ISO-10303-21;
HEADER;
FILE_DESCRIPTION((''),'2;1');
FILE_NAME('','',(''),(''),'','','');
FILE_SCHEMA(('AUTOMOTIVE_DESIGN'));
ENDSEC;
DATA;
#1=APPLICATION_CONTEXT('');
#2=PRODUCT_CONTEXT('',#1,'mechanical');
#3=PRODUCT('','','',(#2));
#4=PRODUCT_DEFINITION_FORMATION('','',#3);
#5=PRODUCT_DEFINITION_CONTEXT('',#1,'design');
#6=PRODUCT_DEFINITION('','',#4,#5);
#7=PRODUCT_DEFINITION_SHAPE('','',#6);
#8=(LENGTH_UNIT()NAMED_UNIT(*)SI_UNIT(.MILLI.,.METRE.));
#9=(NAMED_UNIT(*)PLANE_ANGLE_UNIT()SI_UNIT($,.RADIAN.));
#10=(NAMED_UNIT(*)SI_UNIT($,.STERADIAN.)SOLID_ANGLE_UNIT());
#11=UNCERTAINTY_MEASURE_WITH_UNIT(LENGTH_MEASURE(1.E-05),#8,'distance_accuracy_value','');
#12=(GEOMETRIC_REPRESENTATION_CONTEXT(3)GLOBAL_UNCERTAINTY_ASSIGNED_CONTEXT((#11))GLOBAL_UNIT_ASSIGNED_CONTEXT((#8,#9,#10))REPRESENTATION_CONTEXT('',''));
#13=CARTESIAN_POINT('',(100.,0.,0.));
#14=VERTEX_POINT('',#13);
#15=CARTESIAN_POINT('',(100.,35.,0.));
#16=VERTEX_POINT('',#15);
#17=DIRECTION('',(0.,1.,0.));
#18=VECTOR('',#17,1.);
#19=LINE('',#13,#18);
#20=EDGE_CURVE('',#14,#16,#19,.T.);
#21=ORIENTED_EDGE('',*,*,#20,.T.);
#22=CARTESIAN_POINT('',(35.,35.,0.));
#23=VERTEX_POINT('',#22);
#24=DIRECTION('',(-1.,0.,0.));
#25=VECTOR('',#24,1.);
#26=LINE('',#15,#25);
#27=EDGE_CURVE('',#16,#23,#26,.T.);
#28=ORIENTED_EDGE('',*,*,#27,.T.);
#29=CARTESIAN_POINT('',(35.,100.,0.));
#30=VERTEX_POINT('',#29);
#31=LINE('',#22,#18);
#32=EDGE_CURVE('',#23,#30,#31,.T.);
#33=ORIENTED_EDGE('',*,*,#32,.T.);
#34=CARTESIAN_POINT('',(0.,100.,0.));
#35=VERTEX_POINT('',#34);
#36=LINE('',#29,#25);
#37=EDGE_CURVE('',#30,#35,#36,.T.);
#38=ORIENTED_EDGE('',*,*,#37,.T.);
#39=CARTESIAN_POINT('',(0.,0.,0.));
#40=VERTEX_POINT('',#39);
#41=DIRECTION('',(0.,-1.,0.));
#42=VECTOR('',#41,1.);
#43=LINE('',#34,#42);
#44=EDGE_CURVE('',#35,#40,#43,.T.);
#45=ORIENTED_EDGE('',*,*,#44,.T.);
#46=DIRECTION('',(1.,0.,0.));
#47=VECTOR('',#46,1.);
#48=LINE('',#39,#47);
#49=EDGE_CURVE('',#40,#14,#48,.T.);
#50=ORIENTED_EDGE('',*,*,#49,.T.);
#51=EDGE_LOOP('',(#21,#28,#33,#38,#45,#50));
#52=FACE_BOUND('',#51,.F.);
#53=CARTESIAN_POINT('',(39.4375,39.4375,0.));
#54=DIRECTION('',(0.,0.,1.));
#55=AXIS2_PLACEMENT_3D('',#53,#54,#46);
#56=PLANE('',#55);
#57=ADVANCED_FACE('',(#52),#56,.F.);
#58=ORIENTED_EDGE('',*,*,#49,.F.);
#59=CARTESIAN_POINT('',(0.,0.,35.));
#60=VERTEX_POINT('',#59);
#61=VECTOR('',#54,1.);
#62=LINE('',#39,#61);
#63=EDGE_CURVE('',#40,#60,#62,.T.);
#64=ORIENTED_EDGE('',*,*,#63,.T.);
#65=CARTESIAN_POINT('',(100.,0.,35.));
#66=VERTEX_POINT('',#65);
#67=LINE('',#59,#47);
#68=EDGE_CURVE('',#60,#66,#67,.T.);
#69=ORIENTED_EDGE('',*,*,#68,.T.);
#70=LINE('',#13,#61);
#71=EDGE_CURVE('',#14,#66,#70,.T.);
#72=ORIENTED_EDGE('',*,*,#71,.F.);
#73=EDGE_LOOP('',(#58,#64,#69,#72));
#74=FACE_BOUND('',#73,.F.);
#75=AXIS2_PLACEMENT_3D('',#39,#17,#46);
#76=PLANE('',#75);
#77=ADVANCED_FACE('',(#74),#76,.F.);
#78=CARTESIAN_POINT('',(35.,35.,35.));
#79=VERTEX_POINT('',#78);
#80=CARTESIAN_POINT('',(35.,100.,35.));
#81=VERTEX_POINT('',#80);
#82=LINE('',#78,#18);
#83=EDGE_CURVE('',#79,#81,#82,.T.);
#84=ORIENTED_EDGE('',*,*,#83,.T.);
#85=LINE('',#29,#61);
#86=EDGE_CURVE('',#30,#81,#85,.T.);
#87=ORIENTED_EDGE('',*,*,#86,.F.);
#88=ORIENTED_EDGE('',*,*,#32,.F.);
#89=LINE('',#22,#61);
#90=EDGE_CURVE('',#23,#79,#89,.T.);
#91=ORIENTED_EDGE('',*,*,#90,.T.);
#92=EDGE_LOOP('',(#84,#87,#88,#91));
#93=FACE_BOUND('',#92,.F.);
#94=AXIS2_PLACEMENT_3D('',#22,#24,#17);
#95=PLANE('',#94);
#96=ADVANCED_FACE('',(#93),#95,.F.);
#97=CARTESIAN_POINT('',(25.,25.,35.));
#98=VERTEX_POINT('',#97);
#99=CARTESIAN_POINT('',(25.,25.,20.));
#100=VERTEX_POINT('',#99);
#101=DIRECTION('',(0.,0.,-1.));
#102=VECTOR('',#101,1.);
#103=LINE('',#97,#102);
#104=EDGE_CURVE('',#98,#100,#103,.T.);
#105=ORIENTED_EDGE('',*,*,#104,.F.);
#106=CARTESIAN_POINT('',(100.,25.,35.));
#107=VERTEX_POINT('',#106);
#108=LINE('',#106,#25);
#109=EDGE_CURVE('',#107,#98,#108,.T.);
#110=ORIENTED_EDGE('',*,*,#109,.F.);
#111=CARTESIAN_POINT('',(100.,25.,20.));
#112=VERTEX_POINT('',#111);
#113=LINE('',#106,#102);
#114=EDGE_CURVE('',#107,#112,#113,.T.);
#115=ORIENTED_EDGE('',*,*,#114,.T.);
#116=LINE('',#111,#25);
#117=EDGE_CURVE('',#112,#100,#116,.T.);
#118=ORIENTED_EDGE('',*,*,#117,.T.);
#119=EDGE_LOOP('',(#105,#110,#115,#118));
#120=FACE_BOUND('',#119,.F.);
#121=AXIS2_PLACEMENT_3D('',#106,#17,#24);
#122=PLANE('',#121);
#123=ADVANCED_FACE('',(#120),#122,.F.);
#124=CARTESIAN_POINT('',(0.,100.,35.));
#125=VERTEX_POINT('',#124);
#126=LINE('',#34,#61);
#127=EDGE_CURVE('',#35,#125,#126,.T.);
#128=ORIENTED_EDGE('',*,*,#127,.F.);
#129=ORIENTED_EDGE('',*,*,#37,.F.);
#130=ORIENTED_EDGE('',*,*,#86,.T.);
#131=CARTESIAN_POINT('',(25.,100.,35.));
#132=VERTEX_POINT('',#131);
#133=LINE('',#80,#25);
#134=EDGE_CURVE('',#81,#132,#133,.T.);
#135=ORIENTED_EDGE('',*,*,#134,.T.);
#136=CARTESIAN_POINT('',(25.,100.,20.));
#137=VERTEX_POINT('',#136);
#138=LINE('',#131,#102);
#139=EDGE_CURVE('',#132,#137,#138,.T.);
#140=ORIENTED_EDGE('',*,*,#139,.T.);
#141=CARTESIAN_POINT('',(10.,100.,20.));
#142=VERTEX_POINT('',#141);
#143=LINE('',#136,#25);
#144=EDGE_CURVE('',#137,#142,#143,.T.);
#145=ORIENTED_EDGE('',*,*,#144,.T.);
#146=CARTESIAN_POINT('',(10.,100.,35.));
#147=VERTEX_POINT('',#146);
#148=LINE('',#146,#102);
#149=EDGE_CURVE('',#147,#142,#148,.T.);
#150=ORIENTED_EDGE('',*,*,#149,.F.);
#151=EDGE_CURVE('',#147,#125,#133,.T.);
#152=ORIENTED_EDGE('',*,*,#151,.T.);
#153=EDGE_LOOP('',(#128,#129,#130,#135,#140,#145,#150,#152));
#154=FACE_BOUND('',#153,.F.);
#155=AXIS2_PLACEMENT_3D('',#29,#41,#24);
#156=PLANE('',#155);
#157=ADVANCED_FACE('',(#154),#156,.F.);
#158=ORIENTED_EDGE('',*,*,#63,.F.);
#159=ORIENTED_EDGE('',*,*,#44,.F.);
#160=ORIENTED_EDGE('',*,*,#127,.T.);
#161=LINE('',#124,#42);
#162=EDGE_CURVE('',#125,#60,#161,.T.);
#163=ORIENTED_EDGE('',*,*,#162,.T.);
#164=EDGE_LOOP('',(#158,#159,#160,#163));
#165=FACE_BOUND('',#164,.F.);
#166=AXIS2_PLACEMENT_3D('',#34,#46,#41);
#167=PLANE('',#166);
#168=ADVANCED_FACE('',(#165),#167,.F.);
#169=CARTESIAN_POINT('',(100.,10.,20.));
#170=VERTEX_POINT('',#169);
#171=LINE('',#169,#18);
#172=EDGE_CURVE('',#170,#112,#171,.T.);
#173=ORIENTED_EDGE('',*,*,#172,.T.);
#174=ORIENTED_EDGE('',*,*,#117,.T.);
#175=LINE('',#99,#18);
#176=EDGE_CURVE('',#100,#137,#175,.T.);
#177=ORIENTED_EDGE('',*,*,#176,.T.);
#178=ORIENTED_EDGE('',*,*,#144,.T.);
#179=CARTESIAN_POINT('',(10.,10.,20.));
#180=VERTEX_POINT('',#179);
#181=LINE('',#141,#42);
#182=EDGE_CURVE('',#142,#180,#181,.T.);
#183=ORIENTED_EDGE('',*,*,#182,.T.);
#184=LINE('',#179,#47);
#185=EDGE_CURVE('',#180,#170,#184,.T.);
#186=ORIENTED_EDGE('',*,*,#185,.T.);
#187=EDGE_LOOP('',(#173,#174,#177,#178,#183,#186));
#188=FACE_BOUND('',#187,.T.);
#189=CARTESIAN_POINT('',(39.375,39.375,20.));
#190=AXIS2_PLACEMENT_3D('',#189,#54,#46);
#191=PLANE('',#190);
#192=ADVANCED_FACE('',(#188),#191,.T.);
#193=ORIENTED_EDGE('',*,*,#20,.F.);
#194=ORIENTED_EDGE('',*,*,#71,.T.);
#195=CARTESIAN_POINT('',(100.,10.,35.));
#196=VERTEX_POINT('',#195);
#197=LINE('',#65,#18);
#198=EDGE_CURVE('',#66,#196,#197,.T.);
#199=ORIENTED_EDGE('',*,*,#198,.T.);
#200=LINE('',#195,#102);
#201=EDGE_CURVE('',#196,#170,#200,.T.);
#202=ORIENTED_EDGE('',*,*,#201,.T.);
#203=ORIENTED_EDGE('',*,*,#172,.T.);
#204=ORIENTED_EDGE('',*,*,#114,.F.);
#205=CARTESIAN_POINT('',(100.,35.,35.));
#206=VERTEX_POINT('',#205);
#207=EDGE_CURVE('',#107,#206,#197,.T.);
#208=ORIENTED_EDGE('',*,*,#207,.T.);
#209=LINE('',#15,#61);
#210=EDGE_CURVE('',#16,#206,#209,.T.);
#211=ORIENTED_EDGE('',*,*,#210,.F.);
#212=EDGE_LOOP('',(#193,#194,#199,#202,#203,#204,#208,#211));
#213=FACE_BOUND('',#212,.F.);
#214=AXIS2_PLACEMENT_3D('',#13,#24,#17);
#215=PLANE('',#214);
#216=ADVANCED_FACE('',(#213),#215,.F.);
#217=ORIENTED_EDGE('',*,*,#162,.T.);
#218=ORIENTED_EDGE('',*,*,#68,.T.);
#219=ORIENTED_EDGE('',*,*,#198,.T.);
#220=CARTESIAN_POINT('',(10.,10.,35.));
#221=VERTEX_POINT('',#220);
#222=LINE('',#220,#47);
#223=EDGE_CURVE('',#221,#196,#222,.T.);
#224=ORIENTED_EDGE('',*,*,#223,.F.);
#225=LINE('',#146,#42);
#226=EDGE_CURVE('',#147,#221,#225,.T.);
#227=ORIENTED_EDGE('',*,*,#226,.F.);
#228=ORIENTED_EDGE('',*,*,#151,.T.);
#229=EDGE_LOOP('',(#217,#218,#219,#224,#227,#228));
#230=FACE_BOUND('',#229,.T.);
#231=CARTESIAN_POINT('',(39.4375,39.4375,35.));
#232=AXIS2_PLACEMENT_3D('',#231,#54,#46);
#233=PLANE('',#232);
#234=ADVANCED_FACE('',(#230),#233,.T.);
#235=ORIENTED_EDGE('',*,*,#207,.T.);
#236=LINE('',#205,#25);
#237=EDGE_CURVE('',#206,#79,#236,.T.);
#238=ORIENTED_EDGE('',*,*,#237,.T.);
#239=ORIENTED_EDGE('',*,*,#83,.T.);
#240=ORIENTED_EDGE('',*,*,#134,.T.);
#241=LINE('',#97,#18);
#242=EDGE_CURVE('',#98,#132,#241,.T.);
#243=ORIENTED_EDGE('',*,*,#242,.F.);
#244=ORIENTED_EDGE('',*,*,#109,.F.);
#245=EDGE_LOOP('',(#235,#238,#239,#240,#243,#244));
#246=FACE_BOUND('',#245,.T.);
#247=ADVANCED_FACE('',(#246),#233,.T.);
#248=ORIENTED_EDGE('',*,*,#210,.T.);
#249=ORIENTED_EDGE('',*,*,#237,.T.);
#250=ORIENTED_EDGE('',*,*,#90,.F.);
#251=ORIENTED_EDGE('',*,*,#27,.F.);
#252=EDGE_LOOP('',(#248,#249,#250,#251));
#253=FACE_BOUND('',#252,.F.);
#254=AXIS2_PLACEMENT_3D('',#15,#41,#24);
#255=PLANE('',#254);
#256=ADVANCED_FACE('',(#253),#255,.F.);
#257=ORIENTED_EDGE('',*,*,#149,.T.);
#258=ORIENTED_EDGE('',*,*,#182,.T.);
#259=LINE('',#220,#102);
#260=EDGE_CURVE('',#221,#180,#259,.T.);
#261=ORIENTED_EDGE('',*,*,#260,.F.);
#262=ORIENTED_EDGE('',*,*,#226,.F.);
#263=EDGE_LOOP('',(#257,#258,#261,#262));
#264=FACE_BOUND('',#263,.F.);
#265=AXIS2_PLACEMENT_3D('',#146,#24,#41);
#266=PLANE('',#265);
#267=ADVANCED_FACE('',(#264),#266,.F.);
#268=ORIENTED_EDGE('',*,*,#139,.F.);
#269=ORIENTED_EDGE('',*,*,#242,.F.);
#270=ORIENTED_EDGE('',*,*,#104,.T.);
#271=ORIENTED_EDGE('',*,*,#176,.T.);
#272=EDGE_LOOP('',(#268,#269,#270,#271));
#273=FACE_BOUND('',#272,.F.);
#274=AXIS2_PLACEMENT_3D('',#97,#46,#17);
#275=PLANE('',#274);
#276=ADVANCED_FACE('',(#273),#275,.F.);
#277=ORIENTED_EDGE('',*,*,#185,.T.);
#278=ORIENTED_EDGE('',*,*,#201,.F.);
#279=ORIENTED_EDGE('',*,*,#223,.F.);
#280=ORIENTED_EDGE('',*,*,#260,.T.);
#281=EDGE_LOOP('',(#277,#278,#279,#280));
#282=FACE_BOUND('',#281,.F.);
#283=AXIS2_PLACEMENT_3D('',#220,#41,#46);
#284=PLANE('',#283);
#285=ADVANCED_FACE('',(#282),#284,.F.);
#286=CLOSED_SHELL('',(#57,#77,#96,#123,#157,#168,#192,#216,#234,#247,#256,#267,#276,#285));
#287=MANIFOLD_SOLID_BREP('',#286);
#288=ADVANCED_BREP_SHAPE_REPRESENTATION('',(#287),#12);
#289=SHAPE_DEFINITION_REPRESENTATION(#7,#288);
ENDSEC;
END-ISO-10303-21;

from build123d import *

# Parameters (mm, degrees)
F1_DEPTH = 35
F3_DEPTH = 15


with BuildPart() as f1:
    # F0 (on Top) → F1 (new body)
    with BuildSketch(Plane.XY):
        Polygon((35, 100), (0, 100), (0, 0), (100, 0), (100, 35), (35, 35), align=None)
    extrude(amount=F1_DEPTH)

    # F2 (on face) → F3 (cut)
    with BuildSketch(Plane.XY.offset(35)):
        Polygon((25, 100), (10, 100), (10, 10), (100, 10), (100, 25), (25, 25), align=None)
    extrude(amount=-F3_DEPTH, mode=Mode.SUBTRACT)


solid = f1.part
